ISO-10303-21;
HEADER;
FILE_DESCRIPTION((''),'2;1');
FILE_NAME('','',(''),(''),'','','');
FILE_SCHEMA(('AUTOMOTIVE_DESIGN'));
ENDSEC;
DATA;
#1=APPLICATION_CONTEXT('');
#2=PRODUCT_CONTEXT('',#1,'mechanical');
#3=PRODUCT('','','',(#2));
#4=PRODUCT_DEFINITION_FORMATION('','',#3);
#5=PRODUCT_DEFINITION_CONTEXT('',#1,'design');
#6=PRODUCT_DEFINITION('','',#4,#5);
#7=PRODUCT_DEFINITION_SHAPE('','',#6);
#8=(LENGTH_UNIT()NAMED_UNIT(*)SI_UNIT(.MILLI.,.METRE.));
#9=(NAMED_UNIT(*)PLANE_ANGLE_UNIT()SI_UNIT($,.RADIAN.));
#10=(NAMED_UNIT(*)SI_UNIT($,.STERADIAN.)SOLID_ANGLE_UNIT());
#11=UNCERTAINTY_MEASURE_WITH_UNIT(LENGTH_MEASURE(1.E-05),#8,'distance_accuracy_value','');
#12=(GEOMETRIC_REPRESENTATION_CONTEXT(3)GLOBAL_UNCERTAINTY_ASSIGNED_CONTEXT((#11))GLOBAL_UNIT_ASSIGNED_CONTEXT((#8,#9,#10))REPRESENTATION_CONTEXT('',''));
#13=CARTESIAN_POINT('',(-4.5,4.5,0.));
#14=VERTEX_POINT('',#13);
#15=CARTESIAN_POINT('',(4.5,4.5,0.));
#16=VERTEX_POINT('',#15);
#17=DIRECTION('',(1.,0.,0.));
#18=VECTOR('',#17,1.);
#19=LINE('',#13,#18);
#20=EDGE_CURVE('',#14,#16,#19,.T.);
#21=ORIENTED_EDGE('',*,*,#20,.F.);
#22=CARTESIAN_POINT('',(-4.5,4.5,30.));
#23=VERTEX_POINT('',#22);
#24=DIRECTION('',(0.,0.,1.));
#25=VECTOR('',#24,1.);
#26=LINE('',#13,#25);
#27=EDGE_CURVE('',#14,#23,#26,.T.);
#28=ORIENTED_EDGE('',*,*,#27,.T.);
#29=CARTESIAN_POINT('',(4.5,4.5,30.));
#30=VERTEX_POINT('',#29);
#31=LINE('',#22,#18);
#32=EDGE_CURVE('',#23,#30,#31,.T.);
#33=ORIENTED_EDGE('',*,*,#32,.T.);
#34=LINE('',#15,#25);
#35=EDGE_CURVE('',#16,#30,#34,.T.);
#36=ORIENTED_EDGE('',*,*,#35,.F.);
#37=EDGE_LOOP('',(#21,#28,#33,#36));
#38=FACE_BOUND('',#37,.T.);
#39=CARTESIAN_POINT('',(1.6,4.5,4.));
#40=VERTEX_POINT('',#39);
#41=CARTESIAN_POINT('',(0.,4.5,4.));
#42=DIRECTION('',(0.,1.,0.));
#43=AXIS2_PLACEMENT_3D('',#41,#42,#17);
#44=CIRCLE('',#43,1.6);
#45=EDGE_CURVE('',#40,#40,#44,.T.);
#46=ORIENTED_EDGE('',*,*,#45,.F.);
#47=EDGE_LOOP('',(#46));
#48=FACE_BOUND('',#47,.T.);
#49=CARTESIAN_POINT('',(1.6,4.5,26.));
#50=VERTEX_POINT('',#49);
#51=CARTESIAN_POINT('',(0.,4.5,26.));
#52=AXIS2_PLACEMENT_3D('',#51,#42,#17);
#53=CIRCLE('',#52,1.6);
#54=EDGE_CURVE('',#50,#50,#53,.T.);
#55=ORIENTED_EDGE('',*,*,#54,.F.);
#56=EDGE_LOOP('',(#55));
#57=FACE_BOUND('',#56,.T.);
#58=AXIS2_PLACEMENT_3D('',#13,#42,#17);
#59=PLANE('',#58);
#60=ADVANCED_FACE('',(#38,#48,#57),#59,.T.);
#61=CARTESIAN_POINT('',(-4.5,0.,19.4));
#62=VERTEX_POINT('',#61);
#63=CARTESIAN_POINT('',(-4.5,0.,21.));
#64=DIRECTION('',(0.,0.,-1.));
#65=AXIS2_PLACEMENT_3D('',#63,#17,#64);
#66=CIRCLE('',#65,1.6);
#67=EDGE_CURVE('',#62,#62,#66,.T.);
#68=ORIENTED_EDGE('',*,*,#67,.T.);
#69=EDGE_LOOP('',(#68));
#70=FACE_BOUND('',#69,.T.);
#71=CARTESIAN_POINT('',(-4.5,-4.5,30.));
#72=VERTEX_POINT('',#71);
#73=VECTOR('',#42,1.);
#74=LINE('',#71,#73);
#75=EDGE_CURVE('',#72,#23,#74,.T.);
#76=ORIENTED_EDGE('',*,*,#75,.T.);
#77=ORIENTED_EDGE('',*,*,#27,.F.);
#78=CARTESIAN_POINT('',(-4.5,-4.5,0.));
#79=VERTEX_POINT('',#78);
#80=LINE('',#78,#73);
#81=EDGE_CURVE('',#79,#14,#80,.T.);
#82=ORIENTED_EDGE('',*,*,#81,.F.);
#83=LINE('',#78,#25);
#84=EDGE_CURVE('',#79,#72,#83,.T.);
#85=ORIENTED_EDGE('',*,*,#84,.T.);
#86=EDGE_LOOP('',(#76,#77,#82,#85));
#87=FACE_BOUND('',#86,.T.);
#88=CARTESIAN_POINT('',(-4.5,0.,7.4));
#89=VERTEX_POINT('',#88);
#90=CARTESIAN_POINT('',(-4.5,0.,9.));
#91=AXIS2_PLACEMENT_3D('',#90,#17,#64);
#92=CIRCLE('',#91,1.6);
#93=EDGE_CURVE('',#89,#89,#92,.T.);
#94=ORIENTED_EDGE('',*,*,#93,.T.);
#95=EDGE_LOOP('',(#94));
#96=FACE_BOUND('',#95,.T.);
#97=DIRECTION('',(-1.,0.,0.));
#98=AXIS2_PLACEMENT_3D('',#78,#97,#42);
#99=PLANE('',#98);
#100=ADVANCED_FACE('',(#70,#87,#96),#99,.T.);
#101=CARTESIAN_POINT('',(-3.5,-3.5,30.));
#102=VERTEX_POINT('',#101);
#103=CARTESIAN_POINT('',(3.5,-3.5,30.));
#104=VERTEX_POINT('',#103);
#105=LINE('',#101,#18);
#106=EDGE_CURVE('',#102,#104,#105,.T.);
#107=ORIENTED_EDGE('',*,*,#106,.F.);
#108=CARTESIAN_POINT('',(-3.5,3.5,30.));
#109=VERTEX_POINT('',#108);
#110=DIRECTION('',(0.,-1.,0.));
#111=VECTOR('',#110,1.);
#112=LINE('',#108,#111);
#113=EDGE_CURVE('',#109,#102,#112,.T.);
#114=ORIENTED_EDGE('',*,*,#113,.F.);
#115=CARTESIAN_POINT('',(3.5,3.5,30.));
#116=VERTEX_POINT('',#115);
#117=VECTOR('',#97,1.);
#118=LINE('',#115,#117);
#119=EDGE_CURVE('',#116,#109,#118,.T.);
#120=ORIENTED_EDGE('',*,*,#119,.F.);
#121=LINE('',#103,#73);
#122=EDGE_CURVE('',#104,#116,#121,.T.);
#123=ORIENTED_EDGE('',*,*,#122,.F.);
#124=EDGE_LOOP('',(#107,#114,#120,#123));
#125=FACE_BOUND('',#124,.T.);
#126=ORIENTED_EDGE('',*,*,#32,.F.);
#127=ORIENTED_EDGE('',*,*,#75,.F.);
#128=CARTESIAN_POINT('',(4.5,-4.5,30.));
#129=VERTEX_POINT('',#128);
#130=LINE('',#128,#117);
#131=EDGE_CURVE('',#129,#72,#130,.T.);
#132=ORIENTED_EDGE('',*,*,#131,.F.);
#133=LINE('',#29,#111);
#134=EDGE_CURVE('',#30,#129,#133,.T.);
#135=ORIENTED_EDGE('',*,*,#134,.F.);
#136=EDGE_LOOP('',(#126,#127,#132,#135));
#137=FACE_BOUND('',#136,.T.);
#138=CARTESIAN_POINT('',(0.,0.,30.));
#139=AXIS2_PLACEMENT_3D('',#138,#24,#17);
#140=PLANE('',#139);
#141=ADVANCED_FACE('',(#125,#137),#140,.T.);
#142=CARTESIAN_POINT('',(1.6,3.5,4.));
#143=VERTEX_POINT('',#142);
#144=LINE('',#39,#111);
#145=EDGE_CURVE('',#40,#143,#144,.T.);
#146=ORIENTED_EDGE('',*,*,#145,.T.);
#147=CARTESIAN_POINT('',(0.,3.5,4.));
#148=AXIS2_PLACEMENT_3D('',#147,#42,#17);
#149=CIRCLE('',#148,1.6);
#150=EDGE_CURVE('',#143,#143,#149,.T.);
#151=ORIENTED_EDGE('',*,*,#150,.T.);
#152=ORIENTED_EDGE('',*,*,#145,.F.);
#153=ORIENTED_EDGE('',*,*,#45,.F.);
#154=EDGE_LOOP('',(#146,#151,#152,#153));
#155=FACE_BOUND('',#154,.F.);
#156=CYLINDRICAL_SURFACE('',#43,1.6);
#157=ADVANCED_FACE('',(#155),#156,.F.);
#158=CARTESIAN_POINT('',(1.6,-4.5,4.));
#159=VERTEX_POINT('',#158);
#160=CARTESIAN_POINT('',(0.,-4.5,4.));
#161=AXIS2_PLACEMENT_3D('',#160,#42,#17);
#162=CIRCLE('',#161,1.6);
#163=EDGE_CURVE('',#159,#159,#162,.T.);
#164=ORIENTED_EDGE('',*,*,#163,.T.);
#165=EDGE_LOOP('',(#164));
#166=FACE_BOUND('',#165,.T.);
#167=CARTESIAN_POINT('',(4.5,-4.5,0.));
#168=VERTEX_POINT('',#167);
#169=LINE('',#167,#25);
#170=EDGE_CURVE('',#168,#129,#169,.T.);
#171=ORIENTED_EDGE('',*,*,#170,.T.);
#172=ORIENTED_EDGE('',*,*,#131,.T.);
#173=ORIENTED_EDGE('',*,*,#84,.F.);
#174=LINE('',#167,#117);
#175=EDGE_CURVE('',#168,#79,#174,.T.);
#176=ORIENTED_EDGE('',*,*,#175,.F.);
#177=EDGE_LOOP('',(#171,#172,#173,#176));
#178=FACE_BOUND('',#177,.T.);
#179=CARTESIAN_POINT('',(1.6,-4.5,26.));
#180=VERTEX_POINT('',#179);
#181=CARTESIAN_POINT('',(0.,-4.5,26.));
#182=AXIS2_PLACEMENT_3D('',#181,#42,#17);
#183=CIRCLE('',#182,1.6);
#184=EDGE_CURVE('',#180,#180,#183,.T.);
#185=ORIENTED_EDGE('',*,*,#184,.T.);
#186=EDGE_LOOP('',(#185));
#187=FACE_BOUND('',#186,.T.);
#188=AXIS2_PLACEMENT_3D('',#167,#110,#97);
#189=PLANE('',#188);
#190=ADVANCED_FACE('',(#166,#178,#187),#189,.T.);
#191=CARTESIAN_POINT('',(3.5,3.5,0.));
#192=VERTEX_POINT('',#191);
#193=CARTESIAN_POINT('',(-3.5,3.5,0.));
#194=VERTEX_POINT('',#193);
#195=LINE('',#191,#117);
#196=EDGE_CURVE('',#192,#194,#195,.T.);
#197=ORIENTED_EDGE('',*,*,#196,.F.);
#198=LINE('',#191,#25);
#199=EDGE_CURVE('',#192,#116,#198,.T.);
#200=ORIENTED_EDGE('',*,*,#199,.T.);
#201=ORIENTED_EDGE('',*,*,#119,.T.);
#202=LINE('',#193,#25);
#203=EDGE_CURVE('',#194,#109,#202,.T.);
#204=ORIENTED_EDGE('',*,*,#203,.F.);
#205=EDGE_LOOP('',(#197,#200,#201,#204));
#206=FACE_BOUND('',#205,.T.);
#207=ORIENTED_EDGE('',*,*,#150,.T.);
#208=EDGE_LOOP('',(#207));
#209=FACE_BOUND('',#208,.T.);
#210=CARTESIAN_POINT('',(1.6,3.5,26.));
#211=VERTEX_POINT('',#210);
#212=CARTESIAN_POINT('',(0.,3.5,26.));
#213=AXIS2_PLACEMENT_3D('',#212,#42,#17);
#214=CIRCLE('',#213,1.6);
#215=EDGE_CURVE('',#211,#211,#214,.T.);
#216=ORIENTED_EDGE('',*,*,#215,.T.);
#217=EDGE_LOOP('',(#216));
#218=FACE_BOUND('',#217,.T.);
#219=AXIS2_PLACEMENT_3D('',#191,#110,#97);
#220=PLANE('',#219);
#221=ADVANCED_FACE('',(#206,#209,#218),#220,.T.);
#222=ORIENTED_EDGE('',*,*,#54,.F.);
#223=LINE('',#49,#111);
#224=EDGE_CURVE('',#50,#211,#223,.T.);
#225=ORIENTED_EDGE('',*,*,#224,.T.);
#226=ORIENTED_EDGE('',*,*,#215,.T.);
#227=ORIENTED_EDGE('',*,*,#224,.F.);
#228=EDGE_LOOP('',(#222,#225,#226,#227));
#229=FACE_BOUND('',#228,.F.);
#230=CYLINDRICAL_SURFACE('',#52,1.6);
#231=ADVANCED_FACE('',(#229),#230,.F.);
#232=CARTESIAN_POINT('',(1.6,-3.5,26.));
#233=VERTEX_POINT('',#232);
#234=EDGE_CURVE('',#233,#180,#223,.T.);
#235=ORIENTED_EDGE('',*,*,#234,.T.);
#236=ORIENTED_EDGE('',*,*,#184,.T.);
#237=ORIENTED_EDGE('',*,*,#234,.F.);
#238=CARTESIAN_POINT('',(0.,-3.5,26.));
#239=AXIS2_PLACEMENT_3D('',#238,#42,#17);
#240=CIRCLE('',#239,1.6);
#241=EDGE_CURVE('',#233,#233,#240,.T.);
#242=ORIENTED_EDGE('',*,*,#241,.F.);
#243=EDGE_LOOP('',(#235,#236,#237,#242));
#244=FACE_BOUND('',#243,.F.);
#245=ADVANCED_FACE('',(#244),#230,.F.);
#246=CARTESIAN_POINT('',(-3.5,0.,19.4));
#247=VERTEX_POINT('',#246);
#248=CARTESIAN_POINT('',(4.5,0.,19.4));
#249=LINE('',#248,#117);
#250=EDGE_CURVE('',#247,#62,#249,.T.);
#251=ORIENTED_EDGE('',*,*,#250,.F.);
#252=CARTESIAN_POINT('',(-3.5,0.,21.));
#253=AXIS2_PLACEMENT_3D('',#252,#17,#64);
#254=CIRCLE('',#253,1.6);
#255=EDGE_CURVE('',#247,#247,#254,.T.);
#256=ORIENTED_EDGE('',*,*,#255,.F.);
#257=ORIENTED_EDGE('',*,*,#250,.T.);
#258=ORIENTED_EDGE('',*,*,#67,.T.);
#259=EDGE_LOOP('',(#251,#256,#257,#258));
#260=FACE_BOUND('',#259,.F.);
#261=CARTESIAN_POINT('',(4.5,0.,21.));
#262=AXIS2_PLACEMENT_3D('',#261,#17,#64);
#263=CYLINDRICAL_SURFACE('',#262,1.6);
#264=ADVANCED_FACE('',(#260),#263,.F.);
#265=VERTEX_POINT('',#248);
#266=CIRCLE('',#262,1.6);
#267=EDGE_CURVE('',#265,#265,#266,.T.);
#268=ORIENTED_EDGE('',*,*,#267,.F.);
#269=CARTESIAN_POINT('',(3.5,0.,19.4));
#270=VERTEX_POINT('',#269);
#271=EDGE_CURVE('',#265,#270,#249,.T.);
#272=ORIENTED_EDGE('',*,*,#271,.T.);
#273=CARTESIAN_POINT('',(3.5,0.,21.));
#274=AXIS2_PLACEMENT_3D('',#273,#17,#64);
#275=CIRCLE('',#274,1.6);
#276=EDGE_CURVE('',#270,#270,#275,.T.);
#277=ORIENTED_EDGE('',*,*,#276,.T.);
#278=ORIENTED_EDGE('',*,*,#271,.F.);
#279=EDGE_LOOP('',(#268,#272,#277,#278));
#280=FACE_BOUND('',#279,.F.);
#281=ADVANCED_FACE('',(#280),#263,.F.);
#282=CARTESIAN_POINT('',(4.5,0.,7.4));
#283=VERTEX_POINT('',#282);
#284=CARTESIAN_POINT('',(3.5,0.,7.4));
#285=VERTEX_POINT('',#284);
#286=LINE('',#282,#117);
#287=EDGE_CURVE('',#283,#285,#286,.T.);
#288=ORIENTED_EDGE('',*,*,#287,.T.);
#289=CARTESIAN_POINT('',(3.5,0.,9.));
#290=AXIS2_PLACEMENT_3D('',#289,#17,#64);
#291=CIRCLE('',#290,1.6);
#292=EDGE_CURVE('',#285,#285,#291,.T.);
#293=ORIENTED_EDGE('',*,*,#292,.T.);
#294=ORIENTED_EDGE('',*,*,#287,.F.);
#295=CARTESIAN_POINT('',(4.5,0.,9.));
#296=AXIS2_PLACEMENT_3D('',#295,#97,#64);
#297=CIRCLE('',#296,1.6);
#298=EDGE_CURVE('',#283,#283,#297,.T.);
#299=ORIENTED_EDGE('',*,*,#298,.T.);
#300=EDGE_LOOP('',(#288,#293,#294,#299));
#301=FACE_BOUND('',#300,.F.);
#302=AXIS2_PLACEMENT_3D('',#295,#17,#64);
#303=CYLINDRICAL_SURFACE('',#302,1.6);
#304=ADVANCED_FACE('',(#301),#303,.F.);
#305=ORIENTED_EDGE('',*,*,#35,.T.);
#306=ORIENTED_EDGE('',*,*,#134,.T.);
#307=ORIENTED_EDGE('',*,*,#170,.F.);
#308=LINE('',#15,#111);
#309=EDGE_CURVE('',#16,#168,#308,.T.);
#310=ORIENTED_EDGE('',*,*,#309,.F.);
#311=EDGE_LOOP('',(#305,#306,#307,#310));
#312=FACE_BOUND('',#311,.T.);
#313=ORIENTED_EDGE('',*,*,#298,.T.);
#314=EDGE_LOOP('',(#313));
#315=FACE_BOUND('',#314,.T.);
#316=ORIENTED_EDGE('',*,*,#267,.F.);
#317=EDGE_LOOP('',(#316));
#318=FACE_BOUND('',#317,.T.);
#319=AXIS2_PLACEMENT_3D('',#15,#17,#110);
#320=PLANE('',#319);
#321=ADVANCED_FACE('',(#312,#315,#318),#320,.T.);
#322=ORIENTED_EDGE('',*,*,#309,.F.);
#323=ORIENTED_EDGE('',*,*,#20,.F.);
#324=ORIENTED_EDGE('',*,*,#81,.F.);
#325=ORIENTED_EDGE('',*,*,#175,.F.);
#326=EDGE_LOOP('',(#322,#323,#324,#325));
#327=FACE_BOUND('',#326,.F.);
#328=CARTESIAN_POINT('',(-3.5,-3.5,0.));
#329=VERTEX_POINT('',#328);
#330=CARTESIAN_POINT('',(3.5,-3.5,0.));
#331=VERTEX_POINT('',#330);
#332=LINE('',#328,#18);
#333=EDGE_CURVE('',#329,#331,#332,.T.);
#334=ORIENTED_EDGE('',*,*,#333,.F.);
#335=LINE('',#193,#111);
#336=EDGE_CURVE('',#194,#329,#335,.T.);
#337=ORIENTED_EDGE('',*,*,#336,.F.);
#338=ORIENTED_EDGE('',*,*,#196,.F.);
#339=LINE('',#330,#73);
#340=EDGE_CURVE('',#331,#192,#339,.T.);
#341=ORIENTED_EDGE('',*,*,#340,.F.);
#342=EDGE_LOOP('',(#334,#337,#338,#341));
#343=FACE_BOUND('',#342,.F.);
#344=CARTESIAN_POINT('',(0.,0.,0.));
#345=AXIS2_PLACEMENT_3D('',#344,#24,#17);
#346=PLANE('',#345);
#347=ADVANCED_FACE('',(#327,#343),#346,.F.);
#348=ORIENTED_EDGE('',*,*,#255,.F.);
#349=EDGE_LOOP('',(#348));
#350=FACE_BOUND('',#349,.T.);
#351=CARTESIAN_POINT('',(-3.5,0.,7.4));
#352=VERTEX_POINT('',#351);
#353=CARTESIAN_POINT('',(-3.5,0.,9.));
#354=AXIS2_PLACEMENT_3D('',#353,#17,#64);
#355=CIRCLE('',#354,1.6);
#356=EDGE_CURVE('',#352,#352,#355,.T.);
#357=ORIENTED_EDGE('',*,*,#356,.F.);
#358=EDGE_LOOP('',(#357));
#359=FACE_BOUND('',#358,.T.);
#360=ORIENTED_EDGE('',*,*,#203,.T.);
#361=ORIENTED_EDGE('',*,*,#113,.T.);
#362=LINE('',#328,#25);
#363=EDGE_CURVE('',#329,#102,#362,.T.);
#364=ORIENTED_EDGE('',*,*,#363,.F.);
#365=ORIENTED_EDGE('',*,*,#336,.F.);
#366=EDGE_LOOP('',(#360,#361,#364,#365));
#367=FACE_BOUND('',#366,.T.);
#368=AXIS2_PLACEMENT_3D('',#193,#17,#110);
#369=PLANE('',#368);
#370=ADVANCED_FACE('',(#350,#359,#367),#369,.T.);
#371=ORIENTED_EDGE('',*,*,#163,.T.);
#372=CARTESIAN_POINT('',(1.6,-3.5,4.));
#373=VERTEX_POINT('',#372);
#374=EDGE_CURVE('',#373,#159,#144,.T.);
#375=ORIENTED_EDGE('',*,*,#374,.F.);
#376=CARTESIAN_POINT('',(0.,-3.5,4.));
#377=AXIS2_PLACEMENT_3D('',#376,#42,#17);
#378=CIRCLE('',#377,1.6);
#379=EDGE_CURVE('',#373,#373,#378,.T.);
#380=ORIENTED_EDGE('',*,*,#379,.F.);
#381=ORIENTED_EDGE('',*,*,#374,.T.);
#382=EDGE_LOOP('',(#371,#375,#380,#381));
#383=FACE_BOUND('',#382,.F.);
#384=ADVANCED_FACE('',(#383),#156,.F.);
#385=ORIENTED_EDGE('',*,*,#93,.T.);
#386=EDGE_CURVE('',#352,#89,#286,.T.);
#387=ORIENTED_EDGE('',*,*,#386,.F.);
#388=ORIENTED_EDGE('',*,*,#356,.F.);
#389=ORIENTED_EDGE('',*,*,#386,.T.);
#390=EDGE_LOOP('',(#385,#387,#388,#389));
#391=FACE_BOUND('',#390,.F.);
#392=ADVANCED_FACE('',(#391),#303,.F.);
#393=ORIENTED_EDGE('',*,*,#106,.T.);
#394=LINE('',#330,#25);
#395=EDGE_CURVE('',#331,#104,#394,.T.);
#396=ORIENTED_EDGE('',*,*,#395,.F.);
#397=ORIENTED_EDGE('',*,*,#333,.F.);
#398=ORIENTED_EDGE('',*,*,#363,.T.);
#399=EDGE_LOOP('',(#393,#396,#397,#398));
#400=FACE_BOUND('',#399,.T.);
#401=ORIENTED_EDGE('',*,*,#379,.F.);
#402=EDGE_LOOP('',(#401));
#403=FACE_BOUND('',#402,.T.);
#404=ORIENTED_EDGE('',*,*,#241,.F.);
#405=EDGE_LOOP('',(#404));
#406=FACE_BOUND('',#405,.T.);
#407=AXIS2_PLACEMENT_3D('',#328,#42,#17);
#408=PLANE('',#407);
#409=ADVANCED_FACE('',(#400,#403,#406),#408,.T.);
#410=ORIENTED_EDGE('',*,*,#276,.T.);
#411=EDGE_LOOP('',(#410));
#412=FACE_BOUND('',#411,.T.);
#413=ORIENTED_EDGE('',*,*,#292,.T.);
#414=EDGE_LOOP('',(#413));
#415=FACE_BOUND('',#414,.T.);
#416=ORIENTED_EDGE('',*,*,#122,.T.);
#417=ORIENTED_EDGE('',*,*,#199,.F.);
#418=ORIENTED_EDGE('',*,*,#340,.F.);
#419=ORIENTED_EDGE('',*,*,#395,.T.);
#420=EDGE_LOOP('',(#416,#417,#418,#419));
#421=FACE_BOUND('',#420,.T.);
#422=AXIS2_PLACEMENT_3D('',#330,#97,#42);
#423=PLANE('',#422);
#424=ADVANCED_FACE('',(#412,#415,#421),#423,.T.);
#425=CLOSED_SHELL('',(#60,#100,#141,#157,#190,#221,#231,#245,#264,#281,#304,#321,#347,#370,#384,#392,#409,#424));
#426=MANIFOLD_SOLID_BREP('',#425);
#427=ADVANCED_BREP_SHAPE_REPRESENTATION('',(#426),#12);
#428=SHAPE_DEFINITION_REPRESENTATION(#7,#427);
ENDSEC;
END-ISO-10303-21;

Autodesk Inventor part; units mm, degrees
ref_plane "YZ Plane" through (0, 0, 0) normal (1, 0, 0) x (0, 1, 0)
ref_plane "XZ Plane" through (0, 0, 0) normal (0, 1, 0) x (-1, 0, 0)
ref_plane "XY Plane" through (0, 0, 0) normal (0, 0, 1) x (1, 0, 0)
sketch "スケッチ1" plane through (0, 0, 0) normal (0, 0, 1) x (1, 0, 0)
  line L0 (4.5, -4.5) -> (-4.5, -4.5)
  line L1 (-4.5, -4.5) -> (-4.5, 4.5)
  line L2 (-4.5, 4.5) -> (4.5, 4.5)
  line L3 (4.5, 4.5) -> (4.5, -4.5)
  line L4 (4.5, -4.5) -> (-4.5, 4.5) construction
  line L5 (-4.5, -4.5) -> (4.5, 4.5) construction
  line L6 (3.5, 3.5) -> (-3.5, 3.5)
  line L7 (-3.5, 3.5) -> (-3.5, -3.5)
  line L8 (-3.5, -3.5) -> (3.5, -3.5)
  line L9 (3.5, -3.5) -> (3.5, 3.5)
  point P0 (0, 0)
  dimension "d0" = 9
  dimension "d1" = 9
  dimension "d2" = 1
extrude "押し出し1" add sketch "スケッチ1" along normal blind 30
sketch "スケッチ2" plane through (-4.5, 4.5, 0) normal (0, 1, 0) x (1, 0, 0)
  line L0 (0, 0) -> (9, 0) projected
  line L1 (0, 0) -> (0, -30) projected
  line L2 (9, -30) -> (0, -30) projected
  line L3 (9, 0) -> (9, -30) projected
  line L4 (4.5, -30) -> (4.5, 0) construction
  line L5 (4.5, -15) -> (0, -15) construction
  circle A0 centre (4.5, -26) radius 1.6
  circle A1 centre (4.5, -4) radius 1.6
  dimension "d5" = 3.2
  dimension "d6" = 4
extrude "押し出し2" cut sketch "スケッチ2" against normal through all contours A0 | A1
sketch "スケッチ3" plane through (4.5, -4.5, 0) normal (1, 0, 0) x (0, 0, -1)
  line L0 (0, 9) -> (0, 0) projected
  line L1 (0, 9) -> (-30, 9) projected
  line L2 (-30, 0) -> (-30, 9) projected
  line L3 (0, 0) -> (-30, 0) projected
  line L4 (-30, 4.5) -> (0, 4.5) construction
  line L5 (-15, 4.5) -> (-15, 9) construction
  circle A0 centre (-21, 4.5) radius 1.6
  circle A1 centre (-9, 4.5) radius 1.6
  line L6 (-9, 4.5) -> (-21, 4.5)
  line L7 (0, 9) -> (-30, 9) projected
  dimension "d9" = 3.2
  dimension "d13" = 12
extrude "押し出し3" cut sketch "スケッチ3" against normal through all contours A0 | A1
properties part number "肩ピッチ固定角柱B_9×9" material "アルミニウム 2014-T6"
